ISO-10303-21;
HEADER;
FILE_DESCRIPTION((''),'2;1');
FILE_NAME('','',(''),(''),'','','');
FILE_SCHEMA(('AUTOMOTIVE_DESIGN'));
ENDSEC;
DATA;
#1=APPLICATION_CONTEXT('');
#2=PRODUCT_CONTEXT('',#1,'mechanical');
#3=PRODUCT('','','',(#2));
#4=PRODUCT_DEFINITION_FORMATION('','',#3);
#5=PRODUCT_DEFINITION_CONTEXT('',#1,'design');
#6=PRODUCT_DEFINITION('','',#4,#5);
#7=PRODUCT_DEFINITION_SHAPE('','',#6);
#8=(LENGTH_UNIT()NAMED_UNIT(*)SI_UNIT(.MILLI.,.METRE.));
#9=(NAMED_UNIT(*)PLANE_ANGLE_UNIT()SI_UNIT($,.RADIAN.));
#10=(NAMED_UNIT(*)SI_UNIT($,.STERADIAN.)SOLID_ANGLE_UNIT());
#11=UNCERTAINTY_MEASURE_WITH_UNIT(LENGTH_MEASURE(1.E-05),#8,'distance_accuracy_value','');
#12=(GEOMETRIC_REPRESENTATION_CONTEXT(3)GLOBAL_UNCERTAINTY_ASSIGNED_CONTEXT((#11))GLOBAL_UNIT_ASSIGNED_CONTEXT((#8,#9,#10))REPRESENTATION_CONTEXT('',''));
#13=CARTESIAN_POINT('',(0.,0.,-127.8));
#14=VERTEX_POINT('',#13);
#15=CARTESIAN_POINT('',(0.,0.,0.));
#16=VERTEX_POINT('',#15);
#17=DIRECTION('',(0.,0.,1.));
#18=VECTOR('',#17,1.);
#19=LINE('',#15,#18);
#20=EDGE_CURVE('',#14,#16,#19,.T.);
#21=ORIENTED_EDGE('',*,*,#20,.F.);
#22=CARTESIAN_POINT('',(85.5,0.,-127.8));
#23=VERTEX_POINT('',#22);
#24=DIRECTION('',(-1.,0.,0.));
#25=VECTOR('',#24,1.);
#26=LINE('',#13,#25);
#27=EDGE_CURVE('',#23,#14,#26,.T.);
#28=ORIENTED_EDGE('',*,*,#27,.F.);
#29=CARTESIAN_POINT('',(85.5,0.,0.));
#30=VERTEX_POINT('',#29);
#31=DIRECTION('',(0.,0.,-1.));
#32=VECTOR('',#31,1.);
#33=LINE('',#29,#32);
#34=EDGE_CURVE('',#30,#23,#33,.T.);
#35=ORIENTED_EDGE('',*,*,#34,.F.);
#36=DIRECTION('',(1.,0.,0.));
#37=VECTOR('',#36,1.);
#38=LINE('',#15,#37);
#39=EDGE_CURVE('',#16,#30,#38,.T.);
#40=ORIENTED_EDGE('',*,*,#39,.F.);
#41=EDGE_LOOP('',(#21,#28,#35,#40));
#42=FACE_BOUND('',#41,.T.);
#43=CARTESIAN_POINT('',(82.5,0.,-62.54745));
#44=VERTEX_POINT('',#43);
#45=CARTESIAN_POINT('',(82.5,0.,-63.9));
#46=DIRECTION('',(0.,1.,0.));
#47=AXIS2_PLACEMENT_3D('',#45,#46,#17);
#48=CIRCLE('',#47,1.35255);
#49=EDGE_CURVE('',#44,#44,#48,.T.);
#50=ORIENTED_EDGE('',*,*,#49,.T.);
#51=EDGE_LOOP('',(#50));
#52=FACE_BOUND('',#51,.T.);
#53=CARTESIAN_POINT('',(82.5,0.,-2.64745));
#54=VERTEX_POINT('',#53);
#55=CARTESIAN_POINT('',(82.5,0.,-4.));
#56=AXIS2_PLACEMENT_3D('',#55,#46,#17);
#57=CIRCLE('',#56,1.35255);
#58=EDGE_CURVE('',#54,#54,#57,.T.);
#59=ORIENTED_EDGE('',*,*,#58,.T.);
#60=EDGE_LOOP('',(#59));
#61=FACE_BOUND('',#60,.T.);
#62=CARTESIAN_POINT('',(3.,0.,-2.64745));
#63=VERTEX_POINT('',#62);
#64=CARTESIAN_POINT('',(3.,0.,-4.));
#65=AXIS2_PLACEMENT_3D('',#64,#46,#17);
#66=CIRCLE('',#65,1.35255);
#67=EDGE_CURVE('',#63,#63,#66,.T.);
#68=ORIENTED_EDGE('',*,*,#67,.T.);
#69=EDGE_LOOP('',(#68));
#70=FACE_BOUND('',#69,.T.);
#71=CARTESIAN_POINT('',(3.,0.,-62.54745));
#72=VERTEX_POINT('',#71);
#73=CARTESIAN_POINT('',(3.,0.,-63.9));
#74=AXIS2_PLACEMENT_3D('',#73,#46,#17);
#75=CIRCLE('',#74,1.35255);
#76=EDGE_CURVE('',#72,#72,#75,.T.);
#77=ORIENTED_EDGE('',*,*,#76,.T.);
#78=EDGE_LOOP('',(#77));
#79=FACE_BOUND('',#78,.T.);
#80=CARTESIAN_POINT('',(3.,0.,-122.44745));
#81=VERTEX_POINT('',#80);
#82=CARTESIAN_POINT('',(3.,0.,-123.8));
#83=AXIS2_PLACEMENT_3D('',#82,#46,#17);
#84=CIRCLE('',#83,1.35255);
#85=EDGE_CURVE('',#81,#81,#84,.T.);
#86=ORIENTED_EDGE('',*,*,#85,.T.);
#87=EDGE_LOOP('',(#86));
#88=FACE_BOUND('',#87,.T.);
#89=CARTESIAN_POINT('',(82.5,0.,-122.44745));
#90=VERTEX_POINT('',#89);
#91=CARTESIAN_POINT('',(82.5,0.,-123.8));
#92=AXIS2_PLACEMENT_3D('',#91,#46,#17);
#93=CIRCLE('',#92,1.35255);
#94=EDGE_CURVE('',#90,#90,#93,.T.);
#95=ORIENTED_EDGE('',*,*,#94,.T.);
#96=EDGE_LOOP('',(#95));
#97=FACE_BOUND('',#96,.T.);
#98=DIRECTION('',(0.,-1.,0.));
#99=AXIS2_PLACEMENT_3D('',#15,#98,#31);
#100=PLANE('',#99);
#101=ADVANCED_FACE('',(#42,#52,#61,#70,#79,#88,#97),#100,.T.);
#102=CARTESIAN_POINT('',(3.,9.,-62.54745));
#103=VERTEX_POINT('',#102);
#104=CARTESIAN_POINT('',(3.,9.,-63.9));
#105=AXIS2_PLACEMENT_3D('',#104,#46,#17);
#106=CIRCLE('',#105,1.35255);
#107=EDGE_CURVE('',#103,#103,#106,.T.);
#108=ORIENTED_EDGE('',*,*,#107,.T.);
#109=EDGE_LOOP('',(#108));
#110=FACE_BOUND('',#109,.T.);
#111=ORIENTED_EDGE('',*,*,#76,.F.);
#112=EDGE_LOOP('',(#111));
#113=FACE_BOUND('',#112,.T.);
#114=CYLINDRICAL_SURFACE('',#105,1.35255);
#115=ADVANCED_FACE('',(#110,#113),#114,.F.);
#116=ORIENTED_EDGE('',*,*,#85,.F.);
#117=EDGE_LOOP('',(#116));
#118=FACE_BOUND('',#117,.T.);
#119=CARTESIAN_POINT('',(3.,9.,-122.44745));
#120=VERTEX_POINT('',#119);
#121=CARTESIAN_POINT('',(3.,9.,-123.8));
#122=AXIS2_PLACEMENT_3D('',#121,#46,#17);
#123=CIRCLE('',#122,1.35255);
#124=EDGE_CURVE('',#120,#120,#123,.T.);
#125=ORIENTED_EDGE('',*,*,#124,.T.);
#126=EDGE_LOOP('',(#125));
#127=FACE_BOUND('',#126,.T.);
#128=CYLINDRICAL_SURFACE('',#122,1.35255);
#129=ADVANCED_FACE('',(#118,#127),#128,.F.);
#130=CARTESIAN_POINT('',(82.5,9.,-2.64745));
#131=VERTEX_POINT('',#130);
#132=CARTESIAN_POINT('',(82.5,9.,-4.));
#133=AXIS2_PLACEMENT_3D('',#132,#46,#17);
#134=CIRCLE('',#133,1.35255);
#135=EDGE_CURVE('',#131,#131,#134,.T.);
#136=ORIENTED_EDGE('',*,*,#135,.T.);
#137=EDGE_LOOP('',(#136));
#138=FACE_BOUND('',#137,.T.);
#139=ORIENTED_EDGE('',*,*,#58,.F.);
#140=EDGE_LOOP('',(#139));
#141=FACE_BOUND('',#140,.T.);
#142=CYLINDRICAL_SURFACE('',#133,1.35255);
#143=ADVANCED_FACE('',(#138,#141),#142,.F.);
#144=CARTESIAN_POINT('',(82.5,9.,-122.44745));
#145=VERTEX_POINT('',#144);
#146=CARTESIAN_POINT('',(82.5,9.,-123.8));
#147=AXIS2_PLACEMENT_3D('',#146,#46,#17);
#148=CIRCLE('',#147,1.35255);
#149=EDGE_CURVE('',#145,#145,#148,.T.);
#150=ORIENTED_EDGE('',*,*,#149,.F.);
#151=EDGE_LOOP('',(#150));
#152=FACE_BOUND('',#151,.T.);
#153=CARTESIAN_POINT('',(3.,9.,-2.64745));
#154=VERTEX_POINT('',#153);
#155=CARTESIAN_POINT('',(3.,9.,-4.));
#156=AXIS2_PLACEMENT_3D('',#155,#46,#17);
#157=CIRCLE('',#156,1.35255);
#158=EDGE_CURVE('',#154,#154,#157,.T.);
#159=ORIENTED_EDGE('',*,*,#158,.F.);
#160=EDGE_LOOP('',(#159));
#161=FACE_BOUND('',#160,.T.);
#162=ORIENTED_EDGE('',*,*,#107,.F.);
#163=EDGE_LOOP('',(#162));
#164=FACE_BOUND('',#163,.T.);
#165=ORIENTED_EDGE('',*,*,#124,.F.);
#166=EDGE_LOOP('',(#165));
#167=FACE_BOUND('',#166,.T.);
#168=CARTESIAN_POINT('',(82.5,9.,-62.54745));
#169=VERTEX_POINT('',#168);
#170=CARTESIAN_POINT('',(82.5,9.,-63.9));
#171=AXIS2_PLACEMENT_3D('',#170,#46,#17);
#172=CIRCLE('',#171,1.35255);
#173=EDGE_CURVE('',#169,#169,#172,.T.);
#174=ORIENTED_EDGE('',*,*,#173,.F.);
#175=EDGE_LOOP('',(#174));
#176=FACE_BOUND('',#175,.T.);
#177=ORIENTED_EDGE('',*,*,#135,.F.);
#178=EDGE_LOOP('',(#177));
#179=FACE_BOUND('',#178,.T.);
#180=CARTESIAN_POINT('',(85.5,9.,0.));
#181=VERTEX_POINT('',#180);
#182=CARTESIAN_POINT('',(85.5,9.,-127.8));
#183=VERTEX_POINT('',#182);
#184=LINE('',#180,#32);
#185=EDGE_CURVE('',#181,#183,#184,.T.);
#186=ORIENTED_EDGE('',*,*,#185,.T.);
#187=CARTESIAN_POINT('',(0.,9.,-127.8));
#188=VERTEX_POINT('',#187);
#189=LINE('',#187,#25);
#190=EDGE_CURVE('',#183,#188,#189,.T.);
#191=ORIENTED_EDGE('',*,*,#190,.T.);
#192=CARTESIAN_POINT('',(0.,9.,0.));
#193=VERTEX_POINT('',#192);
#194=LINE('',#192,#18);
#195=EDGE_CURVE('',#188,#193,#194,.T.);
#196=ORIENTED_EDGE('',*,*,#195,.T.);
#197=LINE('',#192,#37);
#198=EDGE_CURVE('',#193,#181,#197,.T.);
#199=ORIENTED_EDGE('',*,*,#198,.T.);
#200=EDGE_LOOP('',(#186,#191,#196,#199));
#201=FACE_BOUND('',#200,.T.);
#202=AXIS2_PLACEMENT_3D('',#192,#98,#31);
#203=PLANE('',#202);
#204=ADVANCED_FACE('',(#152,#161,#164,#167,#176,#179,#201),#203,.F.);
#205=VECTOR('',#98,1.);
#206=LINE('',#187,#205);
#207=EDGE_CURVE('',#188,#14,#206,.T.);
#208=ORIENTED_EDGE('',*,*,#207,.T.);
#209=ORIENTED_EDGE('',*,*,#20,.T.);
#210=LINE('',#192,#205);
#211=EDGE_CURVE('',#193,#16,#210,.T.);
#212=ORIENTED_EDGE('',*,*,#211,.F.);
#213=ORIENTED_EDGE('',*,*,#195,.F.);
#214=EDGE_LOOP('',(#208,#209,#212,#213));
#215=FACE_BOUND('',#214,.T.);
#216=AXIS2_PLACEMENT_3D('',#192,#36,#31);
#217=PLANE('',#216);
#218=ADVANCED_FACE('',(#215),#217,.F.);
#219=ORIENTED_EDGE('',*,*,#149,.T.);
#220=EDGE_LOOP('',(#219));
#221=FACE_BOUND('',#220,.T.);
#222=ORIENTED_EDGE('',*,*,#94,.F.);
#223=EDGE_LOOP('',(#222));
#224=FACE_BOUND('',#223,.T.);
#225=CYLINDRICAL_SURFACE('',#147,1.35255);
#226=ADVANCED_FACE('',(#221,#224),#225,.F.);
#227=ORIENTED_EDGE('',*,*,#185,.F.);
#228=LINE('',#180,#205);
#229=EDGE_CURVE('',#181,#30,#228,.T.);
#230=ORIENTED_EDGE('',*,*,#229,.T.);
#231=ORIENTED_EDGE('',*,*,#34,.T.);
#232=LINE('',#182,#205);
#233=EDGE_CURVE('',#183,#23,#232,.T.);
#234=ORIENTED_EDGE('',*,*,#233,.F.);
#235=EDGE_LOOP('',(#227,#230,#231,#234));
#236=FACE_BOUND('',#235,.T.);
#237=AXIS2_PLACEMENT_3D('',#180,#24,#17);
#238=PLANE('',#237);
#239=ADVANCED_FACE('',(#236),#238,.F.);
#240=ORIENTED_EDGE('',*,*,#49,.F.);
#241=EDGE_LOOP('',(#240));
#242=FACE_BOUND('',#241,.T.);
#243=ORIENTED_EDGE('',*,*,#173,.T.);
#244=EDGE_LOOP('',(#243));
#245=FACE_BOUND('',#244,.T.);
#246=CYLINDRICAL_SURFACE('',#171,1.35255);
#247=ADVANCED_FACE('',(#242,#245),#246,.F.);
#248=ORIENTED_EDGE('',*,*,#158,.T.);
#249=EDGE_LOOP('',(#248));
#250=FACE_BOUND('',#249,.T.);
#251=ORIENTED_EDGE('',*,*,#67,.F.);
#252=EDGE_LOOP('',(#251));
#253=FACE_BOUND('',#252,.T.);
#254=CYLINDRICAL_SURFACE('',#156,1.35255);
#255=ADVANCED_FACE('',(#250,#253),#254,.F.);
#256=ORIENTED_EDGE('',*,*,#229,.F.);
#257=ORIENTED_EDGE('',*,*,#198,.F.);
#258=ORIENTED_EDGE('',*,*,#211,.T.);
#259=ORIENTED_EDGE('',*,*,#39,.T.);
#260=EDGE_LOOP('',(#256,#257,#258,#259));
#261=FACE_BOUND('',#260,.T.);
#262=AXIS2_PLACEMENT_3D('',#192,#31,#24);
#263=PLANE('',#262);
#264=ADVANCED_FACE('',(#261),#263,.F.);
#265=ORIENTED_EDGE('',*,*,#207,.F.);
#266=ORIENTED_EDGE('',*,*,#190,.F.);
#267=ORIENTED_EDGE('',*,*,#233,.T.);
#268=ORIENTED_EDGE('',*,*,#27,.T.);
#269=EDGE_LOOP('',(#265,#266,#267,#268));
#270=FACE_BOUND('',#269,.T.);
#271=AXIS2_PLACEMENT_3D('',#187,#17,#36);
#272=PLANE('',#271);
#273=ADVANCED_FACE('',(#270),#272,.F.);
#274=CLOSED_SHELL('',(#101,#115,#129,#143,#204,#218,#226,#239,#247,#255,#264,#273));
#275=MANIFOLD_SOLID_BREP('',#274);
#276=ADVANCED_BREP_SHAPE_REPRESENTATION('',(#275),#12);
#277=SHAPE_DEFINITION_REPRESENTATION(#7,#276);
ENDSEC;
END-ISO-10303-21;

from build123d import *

# Parameters (mm, degrees)
SKETCH1_W                 = 85.5
SKETCH1_H                 = 127.8
BOSS_EXTRUDE1_DEPTH       = 9
TAP_DRILL_FOR_6_32_TAP1_D = 2.7051
LPATTERN1_COUNT           = 3
LPATTERN1_PITCH           = 59.9
MIRROR1_COPY_1_D          = 2.7051
MIRROR1_COPY_2_D          = 2.7051


with BuildPart() as part:
    # Sketch1 → Boss-Extrude1 (new body)
    with BuildSketch(Plane(origin=(0, 0, 0), x_dir=(1, 0, 0), z_dir=(0, 1, 0))):
        with Locations((42.75, 63.9)):
            Rectangle(SKETCH1_W, SKETCH1_H)
    extrude(amount=BOSS_EXTRUDE1_DEPTH)

    # Tap Drill for #6-32 Tap1 (through all)
    with Locations(Plane(origin=(0, 9, 0), x_dir=(1, 0, 0), z_dir=(0, 1, 0))):
        with Locations((82.5, 4)):
            tap_drill_for_6_32_tap1 = Hole(TAP_DRILL_FOR_6_32_TAP1_D / 2)

    # LPattern1: Tap Drill for #6-32 Tap1 ×3
    with Locations(*[(0, 0, -i * LPATTERN1_PITCH) for i in range(1, LPATTERN1_COUNT)]):
        add(tap_drill_for_6_32_tap1, mode=Mode.SUBTRACT)

    # Mirror1: Tap Drill for #6-32 Tap1 across plane
    add(tap_drill_for_6_32_tap1.mirror(Plane(origin=(42.75, 0, 0), x_dir=(0, 0, 1), z_dir=(1, 0, 0))), mode=Mode.SUBTRACT)

    # Mirror1 copy 1 (through all)
    with Locations(Plane(origin=(85.5, 9, -59.9), x_dir=(-1, 0, 0), z_dir=(0, 1, 0))):
        with Locations((82.5, -4)):
            Hole(MIRROR1_COPY_1_D / 2)

    # Mirror1 copy 2 (through all)
    with Locations(Plane(origin=(85.5, 9, -119.8), x_dir=(-1, 0, 0), z_dir=(0, 1, 0))):
        with Locations((82.5, -4)):
            Hole(MIRROR1_COPY_2_D / 2)


solid = part.part
